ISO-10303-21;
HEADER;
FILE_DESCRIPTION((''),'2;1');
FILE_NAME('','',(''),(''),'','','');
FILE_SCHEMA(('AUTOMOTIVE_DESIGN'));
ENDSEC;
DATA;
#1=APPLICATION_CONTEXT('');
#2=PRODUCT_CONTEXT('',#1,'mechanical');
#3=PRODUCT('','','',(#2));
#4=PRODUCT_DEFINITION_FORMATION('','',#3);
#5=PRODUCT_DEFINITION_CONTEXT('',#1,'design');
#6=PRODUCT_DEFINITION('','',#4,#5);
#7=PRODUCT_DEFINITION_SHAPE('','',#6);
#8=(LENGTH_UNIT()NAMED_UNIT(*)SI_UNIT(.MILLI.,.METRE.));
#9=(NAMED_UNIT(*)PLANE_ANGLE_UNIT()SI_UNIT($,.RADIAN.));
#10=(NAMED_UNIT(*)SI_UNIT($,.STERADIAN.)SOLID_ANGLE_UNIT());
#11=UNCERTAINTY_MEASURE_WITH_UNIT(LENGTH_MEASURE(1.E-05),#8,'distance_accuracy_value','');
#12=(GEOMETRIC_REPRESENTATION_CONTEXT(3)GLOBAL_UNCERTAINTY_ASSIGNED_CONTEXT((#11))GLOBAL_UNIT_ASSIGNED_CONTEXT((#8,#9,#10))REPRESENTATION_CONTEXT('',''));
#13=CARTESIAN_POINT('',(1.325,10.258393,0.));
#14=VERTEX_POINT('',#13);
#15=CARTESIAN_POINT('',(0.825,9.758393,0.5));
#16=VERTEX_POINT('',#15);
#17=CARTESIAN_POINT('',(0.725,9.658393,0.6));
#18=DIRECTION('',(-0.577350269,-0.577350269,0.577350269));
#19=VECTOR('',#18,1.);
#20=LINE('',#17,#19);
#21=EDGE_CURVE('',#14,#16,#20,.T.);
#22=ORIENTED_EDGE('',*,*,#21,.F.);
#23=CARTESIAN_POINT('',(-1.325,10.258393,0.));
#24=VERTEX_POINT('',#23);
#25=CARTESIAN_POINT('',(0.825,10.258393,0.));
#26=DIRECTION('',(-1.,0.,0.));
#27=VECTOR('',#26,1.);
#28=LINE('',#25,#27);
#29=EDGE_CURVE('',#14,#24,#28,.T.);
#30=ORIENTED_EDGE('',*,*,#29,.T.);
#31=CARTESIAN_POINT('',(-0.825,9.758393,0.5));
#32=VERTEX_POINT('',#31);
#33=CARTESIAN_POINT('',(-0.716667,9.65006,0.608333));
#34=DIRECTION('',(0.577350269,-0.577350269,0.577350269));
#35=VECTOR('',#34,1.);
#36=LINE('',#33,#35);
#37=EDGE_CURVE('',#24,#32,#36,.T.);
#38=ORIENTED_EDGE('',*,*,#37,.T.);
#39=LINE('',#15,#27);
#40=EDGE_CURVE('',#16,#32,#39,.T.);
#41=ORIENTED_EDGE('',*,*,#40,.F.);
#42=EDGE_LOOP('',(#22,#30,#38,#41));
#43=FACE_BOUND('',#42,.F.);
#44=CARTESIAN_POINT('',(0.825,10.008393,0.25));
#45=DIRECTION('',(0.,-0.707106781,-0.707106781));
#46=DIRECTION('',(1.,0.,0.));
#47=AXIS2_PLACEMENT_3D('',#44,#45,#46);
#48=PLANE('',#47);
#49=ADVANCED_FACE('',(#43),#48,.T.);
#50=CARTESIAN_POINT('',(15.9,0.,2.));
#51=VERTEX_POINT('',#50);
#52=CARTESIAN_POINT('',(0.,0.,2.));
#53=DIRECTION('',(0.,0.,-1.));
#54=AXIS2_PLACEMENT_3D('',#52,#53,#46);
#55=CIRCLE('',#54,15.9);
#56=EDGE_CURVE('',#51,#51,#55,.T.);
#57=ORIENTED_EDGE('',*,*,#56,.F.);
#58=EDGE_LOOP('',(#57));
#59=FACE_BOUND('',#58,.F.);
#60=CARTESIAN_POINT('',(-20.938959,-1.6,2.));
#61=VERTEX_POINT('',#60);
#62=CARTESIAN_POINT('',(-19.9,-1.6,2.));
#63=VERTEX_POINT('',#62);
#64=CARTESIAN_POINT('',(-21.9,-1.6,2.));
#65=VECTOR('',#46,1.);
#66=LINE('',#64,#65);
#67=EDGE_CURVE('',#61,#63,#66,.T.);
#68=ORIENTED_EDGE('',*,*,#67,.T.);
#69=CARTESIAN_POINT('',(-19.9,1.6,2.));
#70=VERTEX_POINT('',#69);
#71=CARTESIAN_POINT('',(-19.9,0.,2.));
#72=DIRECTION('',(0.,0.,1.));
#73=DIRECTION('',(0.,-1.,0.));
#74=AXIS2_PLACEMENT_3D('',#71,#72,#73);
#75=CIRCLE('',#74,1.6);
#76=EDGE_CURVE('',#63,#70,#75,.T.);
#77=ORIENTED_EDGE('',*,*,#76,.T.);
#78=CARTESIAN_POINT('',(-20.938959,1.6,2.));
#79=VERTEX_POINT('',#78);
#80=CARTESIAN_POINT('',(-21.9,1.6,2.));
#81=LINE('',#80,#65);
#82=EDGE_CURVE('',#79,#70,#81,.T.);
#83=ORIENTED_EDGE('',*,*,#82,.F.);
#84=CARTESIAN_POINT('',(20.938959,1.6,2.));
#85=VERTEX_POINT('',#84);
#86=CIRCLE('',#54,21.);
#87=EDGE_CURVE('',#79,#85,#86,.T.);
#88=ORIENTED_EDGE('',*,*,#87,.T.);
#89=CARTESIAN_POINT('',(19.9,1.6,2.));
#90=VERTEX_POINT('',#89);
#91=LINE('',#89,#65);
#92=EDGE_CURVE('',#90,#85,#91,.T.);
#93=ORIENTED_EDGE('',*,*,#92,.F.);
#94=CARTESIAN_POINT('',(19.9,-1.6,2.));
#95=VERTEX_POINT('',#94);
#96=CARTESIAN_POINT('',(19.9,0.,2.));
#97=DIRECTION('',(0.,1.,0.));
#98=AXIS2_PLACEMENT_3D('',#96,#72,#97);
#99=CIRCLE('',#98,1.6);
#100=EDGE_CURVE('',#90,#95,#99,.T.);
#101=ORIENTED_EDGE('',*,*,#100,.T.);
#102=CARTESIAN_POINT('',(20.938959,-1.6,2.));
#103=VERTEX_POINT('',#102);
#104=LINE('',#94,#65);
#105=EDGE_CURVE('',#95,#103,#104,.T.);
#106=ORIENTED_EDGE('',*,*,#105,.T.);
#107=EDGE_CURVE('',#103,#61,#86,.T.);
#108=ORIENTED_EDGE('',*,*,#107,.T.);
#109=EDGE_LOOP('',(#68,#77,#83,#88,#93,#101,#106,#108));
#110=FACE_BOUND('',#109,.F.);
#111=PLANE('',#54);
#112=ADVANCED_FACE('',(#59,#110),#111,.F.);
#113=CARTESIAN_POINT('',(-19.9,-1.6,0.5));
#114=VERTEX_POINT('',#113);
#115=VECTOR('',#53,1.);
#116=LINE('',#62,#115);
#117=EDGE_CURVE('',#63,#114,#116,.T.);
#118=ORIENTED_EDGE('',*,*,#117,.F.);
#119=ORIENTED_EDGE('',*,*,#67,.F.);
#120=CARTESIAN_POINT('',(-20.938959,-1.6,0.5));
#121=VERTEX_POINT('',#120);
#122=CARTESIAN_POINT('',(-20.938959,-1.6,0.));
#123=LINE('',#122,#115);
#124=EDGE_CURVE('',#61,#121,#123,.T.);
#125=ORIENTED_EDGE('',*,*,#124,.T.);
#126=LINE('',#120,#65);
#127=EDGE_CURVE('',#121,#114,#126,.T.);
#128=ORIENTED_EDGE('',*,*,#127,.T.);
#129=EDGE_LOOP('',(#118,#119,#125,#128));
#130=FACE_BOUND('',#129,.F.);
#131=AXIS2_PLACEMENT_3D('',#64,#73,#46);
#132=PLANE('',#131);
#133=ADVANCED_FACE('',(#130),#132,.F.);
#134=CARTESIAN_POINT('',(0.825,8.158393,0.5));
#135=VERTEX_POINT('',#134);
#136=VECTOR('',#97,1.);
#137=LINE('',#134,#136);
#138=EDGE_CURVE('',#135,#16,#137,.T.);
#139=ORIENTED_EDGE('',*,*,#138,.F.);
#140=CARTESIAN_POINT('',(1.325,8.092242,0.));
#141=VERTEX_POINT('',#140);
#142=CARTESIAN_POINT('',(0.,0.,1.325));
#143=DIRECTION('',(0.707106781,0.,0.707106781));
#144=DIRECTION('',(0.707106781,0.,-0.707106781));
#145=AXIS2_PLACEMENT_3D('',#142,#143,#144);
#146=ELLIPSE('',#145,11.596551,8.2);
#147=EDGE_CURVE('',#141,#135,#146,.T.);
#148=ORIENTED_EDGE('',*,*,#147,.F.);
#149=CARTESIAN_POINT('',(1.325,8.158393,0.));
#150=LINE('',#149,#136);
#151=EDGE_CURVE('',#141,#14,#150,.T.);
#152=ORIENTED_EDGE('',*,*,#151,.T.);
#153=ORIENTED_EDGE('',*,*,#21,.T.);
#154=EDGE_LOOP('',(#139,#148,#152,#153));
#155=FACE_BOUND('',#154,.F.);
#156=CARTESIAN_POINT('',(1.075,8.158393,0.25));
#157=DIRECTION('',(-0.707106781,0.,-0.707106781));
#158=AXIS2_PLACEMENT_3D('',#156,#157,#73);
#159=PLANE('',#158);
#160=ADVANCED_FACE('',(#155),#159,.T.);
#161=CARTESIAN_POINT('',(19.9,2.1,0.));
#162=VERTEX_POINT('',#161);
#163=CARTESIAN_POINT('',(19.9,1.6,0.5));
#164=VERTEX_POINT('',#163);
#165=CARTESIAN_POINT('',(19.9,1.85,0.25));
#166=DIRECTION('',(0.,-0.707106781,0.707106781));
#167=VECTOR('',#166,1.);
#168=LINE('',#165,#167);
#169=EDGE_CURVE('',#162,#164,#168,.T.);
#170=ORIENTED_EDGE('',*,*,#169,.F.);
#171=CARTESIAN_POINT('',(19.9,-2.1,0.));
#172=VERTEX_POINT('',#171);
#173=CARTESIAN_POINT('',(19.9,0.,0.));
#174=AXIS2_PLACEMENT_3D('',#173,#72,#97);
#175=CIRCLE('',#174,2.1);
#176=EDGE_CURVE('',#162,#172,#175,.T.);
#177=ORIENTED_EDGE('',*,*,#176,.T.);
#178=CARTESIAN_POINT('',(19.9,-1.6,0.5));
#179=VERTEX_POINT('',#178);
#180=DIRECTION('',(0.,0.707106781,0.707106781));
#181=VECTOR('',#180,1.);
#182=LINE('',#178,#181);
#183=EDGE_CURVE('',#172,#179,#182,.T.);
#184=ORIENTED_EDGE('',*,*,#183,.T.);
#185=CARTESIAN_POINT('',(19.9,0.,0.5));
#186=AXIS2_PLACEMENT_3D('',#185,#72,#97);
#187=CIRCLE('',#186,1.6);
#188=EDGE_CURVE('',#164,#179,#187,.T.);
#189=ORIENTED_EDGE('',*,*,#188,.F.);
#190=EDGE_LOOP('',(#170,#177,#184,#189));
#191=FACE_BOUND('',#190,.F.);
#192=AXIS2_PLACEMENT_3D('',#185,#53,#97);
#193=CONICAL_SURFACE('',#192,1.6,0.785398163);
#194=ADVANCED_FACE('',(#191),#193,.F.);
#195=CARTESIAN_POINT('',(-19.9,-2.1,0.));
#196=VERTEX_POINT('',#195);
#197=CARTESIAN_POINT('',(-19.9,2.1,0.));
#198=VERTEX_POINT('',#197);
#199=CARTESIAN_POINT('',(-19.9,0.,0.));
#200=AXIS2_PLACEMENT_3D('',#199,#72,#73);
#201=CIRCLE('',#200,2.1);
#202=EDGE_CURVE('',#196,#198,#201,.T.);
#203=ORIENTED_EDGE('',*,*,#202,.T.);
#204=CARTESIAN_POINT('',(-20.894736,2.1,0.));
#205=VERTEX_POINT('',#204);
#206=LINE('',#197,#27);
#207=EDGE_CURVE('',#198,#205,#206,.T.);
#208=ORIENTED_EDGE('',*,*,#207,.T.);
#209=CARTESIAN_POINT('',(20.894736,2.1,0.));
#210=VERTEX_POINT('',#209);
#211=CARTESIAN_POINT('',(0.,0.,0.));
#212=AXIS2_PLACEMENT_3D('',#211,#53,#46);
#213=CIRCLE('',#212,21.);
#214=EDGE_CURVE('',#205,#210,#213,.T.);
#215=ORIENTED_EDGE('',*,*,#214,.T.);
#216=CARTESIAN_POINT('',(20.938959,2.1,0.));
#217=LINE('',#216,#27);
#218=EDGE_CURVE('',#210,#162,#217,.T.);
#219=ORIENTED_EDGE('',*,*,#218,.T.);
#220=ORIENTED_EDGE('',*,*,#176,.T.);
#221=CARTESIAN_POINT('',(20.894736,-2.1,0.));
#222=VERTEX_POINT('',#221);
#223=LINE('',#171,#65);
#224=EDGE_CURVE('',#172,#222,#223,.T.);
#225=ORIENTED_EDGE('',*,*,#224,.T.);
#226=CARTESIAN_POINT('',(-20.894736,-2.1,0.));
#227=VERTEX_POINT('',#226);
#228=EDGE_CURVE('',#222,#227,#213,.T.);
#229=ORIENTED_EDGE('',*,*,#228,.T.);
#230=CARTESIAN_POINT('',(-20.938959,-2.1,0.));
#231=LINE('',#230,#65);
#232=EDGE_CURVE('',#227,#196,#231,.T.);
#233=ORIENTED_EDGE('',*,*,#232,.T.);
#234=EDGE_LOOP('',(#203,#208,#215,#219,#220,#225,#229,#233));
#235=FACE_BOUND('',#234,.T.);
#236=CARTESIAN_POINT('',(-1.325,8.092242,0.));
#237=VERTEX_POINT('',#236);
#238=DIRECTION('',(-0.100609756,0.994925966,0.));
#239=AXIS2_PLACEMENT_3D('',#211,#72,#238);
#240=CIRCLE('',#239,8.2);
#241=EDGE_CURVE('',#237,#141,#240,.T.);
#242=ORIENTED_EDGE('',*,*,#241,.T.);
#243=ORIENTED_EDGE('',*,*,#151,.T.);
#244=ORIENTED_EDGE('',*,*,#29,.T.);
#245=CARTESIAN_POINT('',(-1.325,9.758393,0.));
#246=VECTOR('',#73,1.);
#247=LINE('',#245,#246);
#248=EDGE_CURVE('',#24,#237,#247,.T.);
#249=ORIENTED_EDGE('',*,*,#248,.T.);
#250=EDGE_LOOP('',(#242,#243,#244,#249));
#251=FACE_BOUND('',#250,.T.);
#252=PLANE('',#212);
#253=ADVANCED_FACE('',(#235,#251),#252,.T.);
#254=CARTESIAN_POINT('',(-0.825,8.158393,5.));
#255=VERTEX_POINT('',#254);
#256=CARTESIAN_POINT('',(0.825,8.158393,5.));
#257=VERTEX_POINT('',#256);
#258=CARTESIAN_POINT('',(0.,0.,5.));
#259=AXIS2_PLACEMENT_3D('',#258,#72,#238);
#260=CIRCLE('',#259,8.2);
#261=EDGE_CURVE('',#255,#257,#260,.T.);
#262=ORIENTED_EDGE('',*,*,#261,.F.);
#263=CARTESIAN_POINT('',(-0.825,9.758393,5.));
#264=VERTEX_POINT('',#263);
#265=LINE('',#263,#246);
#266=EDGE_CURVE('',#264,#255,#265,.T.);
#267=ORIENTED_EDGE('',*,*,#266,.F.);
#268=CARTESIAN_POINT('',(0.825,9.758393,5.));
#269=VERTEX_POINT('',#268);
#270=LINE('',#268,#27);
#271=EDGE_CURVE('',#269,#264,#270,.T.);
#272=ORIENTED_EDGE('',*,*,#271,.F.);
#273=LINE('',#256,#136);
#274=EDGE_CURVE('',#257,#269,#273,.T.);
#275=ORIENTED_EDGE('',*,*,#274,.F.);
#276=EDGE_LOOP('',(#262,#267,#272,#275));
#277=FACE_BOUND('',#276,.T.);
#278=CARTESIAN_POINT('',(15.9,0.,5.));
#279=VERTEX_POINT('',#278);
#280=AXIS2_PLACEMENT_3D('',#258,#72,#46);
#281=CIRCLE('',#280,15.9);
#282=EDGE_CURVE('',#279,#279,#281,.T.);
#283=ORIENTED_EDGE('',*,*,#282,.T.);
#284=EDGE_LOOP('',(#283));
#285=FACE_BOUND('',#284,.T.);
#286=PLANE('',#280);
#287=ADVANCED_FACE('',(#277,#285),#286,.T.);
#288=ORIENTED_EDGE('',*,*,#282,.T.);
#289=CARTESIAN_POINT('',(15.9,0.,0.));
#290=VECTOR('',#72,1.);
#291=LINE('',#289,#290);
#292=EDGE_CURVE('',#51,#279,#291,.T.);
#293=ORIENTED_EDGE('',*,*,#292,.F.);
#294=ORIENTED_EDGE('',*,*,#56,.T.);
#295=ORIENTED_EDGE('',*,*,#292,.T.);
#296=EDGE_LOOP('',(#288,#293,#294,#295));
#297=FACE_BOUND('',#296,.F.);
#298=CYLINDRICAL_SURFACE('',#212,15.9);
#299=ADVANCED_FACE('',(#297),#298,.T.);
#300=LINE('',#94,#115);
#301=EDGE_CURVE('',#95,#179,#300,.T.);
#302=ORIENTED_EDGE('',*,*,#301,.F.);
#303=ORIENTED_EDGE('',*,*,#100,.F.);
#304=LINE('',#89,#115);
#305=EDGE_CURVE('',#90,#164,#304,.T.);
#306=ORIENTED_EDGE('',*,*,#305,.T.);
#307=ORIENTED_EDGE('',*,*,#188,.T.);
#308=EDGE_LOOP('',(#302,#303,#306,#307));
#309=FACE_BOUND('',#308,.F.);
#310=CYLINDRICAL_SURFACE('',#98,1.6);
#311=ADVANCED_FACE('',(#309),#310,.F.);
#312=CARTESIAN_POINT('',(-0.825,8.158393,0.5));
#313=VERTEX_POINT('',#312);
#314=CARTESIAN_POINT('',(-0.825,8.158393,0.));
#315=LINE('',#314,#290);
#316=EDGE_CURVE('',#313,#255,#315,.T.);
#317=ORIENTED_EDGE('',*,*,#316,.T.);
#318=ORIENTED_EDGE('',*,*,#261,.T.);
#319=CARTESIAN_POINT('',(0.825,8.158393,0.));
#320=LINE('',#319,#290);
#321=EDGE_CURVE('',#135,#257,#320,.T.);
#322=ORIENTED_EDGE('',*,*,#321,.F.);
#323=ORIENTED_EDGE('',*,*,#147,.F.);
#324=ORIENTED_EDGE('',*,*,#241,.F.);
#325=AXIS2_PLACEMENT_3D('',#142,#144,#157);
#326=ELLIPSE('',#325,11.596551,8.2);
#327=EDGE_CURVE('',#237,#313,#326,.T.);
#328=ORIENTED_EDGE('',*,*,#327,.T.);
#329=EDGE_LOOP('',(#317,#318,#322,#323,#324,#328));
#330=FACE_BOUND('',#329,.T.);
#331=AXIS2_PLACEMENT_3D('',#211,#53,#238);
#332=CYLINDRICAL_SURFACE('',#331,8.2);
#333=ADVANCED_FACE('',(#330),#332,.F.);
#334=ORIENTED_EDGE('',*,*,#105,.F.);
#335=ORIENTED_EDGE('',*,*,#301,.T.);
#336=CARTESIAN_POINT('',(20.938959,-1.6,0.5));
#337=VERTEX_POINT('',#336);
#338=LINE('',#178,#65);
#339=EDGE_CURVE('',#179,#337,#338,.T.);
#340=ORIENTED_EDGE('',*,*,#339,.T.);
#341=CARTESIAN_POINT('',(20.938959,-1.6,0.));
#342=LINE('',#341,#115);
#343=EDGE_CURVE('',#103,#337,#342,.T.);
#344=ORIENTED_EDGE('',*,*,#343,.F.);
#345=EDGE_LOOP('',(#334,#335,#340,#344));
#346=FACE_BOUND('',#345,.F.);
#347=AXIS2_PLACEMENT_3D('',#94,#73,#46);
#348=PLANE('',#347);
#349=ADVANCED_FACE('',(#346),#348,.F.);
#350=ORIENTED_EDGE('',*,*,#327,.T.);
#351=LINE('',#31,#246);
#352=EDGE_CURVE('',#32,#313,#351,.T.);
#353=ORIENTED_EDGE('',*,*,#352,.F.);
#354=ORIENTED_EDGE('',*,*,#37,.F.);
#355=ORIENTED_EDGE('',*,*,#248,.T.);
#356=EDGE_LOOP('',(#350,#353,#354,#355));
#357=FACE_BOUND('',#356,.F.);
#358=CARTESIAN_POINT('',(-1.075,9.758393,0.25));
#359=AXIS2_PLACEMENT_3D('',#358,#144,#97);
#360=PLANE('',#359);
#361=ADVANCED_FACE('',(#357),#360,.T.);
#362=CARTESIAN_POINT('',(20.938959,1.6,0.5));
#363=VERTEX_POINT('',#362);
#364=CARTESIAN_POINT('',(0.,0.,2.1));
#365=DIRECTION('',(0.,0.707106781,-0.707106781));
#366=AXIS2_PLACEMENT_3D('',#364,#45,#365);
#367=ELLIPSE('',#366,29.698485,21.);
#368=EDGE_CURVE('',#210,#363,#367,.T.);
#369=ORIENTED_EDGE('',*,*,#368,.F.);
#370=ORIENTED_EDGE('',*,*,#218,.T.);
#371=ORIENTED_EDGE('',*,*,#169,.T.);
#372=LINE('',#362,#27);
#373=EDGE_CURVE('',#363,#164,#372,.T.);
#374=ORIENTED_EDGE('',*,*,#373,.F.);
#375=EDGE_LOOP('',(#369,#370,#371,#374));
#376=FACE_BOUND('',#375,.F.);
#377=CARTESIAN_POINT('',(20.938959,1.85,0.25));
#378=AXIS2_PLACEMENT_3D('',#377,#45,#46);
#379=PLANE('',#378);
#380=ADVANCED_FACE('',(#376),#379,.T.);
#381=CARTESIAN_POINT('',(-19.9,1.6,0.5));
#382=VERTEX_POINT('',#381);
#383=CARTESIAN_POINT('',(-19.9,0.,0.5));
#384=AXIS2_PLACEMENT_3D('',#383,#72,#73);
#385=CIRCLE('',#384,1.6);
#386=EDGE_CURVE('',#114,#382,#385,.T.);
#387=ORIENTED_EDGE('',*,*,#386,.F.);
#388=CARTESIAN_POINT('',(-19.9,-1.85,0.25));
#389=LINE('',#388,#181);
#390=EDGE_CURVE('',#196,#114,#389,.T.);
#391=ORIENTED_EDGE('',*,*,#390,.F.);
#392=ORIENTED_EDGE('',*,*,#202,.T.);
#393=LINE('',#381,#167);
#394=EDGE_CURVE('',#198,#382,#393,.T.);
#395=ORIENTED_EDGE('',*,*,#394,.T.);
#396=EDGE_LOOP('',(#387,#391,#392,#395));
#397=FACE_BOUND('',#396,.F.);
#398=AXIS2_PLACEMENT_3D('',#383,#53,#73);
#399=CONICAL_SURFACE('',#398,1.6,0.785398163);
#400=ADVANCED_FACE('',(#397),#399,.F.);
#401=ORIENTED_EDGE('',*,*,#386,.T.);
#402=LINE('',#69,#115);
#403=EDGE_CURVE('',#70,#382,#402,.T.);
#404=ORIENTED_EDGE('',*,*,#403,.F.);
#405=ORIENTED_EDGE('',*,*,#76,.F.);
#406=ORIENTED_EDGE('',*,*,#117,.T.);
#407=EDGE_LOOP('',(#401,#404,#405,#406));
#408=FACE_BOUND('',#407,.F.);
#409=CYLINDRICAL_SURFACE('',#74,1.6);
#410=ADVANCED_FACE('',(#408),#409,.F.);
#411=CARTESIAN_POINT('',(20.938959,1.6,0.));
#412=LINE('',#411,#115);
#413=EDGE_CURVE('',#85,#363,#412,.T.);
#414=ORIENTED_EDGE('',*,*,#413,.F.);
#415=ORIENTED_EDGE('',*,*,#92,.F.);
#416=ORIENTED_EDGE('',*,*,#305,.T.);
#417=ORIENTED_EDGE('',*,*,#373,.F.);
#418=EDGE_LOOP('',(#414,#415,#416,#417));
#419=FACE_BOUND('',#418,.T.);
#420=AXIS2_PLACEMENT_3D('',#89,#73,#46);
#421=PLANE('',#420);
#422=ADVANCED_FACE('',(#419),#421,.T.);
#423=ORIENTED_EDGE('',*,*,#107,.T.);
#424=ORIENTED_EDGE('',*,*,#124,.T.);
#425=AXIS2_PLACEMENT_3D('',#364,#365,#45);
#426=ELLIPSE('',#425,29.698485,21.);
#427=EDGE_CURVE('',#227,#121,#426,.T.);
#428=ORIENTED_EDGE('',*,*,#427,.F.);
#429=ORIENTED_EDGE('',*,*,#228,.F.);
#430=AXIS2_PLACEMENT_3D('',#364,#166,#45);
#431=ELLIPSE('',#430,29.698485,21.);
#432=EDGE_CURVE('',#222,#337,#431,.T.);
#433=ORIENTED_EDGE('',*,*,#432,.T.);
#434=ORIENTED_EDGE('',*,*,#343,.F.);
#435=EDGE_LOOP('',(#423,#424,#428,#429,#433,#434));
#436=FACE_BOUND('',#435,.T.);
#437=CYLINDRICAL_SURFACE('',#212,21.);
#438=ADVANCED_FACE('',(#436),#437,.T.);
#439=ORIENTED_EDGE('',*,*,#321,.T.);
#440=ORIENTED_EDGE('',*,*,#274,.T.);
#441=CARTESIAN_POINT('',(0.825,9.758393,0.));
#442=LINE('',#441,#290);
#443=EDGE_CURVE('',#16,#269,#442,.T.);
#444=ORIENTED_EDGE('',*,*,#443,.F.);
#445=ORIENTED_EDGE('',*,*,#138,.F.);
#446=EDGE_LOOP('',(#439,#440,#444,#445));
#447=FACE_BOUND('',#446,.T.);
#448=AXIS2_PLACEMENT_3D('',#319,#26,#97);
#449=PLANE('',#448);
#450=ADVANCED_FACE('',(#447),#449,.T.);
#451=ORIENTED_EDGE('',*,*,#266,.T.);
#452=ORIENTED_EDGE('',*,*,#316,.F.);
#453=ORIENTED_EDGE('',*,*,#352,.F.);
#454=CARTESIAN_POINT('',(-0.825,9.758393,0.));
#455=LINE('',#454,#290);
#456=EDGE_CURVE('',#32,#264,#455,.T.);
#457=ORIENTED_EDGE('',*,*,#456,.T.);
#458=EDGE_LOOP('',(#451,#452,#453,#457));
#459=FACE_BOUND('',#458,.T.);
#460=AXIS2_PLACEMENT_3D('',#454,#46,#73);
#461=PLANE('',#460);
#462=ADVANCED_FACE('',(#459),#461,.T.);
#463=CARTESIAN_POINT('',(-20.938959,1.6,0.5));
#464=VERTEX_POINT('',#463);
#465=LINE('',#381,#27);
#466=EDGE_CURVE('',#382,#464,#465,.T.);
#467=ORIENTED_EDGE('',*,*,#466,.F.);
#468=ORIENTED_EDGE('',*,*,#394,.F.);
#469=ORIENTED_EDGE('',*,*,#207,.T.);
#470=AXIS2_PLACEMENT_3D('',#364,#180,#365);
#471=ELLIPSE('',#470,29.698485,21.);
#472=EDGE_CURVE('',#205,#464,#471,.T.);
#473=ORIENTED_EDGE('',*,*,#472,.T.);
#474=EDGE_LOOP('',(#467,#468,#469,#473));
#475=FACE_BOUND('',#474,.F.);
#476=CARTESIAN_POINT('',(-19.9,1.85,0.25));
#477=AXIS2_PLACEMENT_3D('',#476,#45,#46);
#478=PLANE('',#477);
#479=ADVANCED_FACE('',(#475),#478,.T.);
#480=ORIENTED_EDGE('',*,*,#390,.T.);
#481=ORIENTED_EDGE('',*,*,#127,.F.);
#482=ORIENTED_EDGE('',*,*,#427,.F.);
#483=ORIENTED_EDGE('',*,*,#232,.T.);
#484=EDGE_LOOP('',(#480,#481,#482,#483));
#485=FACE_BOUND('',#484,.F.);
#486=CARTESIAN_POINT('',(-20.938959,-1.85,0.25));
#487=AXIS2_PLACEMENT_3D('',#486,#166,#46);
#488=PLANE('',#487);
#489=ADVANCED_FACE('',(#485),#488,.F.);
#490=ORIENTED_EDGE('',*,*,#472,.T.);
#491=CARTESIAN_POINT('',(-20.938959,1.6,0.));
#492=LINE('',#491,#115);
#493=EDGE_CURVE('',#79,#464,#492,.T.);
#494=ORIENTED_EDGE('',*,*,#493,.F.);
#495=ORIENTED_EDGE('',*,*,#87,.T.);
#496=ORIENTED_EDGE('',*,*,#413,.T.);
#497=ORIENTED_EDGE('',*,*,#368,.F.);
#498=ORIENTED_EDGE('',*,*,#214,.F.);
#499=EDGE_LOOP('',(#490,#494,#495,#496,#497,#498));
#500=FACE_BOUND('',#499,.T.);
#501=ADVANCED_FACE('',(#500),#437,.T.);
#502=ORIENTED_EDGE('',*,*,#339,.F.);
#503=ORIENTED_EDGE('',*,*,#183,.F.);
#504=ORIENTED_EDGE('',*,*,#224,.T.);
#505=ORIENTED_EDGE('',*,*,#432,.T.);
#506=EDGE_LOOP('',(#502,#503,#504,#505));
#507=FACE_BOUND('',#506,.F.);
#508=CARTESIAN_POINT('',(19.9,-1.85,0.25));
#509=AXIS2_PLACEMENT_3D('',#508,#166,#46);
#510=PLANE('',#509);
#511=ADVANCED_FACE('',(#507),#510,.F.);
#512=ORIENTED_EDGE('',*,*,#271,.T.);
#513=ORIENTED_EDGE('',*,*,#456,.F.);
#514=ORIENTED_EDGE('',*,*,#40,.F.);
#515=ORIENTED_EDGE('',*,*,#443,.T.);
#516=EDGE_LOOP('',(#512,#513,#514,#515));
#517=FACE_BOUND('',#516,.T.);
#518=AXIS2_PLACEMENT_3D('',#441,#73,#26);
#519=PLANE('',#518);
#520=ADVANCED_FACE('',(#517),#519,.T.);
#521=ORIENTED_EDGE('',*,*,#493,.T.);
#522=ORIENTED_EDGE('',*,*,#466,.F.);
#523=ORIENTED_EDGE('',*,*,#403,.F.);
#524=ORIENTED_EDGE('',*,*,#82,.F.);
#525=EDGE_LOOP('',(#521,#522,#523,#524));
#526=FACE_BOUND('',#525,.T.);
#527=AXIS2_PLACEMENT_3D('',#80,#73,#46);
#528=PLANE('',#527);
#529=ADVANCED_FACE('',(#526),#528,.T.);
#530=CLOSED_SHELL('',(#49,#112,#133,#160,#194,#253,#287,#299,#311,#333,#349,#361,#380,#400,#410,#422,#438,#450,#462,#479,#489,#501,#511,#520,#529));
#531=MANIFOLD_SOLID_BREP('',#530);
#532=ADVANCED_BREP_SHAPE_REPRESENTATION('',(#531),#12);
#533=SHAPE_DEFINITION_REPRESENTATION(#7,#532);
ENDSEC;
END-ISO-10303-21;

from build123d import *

# Parameters (mm, degrees)
SKETCH_R      = 15.9
PAD_DEPTH     = 5
SKETCH001_R   = 21
SKETCH001_R_2 = 15.9
PAD001_DEPTH  = 2
POCKET_DEPTH  = 5
CHAMFER_SIZE  = 0.5


with BuildPart() as part:
    # Sketch → Pad (new body)
    with BuildSketch(Plane.XY):
        Circle(SKETCH_R)
        with BuildLine():
            Line((0.825, 8.158393), (0.825, 9.758393))
            Line((0.825, 9.758393), (-0.825, 9.758393))
            Line((-0.825, 9.758393), (-0.825, 8.158393))
            ThreePointArc((-0.825, 8.158393), (0, -8.2), (0.825, 8.158393))
        make_face(mode=Mode.SUBTRACT)
    extrude(amount=PAD_DEPTH)

    # Sketch001 → Pad001 (new body)
    with BuildSketch(Plane(origin=(0, 0, 0), x_dir=(1, 0, 0), z_dir=(0, 0, -1))):
        Circle(SKETCH001_R)
        Circle(SKETCH001_R_2, mode=Mode.SUBTRACT)
    extrude(amount=-PAD001_DEPTH)

    # Sketch002 → Pocket (cut)
    with BuildSketch(Plane.XY.offset(2)):
        with BuildLine():
            ThreePointArc((-19.9, -1.6), (-18.3, 0), (-19.9, 1.6))
            Line((-21.9, 1.6), (-19.9, 1.6))
            Line((-21.9, 1.6), (-21.9, -1.6))
            Line((-21.9, -1.6), (-19.9, -1.6))
        make_face()
        with BuildLine():
            ThreePointArc((19.9, 1.6), (18.3, 0), (19.9, -1.6))
            Line((19.9, -1.6), (21.9, -1.6))
            Line((21.9, 1.6), (21.9, -1.6))
            Line((19.9, 1.6), (21.9, 1.6))
        make_face()
    extrude(amount=-POCKET_DEPTH, mode=Mode.SUBTRACT)

    # Chamfer
    chamfer_edges = [part.edges().sort_by_distance(p)[0] for p in [
        (0.825, 8.958393, 0),
        (0, 9.758393, 0),
        (-0.825, 8.958393, 0),
        (-18.3, 0, 0),
        (18.3, 0, 0),
    ]]
    chamfer(chamfer_edges, length=CHAMFER_SIZE)


solid = part.part
